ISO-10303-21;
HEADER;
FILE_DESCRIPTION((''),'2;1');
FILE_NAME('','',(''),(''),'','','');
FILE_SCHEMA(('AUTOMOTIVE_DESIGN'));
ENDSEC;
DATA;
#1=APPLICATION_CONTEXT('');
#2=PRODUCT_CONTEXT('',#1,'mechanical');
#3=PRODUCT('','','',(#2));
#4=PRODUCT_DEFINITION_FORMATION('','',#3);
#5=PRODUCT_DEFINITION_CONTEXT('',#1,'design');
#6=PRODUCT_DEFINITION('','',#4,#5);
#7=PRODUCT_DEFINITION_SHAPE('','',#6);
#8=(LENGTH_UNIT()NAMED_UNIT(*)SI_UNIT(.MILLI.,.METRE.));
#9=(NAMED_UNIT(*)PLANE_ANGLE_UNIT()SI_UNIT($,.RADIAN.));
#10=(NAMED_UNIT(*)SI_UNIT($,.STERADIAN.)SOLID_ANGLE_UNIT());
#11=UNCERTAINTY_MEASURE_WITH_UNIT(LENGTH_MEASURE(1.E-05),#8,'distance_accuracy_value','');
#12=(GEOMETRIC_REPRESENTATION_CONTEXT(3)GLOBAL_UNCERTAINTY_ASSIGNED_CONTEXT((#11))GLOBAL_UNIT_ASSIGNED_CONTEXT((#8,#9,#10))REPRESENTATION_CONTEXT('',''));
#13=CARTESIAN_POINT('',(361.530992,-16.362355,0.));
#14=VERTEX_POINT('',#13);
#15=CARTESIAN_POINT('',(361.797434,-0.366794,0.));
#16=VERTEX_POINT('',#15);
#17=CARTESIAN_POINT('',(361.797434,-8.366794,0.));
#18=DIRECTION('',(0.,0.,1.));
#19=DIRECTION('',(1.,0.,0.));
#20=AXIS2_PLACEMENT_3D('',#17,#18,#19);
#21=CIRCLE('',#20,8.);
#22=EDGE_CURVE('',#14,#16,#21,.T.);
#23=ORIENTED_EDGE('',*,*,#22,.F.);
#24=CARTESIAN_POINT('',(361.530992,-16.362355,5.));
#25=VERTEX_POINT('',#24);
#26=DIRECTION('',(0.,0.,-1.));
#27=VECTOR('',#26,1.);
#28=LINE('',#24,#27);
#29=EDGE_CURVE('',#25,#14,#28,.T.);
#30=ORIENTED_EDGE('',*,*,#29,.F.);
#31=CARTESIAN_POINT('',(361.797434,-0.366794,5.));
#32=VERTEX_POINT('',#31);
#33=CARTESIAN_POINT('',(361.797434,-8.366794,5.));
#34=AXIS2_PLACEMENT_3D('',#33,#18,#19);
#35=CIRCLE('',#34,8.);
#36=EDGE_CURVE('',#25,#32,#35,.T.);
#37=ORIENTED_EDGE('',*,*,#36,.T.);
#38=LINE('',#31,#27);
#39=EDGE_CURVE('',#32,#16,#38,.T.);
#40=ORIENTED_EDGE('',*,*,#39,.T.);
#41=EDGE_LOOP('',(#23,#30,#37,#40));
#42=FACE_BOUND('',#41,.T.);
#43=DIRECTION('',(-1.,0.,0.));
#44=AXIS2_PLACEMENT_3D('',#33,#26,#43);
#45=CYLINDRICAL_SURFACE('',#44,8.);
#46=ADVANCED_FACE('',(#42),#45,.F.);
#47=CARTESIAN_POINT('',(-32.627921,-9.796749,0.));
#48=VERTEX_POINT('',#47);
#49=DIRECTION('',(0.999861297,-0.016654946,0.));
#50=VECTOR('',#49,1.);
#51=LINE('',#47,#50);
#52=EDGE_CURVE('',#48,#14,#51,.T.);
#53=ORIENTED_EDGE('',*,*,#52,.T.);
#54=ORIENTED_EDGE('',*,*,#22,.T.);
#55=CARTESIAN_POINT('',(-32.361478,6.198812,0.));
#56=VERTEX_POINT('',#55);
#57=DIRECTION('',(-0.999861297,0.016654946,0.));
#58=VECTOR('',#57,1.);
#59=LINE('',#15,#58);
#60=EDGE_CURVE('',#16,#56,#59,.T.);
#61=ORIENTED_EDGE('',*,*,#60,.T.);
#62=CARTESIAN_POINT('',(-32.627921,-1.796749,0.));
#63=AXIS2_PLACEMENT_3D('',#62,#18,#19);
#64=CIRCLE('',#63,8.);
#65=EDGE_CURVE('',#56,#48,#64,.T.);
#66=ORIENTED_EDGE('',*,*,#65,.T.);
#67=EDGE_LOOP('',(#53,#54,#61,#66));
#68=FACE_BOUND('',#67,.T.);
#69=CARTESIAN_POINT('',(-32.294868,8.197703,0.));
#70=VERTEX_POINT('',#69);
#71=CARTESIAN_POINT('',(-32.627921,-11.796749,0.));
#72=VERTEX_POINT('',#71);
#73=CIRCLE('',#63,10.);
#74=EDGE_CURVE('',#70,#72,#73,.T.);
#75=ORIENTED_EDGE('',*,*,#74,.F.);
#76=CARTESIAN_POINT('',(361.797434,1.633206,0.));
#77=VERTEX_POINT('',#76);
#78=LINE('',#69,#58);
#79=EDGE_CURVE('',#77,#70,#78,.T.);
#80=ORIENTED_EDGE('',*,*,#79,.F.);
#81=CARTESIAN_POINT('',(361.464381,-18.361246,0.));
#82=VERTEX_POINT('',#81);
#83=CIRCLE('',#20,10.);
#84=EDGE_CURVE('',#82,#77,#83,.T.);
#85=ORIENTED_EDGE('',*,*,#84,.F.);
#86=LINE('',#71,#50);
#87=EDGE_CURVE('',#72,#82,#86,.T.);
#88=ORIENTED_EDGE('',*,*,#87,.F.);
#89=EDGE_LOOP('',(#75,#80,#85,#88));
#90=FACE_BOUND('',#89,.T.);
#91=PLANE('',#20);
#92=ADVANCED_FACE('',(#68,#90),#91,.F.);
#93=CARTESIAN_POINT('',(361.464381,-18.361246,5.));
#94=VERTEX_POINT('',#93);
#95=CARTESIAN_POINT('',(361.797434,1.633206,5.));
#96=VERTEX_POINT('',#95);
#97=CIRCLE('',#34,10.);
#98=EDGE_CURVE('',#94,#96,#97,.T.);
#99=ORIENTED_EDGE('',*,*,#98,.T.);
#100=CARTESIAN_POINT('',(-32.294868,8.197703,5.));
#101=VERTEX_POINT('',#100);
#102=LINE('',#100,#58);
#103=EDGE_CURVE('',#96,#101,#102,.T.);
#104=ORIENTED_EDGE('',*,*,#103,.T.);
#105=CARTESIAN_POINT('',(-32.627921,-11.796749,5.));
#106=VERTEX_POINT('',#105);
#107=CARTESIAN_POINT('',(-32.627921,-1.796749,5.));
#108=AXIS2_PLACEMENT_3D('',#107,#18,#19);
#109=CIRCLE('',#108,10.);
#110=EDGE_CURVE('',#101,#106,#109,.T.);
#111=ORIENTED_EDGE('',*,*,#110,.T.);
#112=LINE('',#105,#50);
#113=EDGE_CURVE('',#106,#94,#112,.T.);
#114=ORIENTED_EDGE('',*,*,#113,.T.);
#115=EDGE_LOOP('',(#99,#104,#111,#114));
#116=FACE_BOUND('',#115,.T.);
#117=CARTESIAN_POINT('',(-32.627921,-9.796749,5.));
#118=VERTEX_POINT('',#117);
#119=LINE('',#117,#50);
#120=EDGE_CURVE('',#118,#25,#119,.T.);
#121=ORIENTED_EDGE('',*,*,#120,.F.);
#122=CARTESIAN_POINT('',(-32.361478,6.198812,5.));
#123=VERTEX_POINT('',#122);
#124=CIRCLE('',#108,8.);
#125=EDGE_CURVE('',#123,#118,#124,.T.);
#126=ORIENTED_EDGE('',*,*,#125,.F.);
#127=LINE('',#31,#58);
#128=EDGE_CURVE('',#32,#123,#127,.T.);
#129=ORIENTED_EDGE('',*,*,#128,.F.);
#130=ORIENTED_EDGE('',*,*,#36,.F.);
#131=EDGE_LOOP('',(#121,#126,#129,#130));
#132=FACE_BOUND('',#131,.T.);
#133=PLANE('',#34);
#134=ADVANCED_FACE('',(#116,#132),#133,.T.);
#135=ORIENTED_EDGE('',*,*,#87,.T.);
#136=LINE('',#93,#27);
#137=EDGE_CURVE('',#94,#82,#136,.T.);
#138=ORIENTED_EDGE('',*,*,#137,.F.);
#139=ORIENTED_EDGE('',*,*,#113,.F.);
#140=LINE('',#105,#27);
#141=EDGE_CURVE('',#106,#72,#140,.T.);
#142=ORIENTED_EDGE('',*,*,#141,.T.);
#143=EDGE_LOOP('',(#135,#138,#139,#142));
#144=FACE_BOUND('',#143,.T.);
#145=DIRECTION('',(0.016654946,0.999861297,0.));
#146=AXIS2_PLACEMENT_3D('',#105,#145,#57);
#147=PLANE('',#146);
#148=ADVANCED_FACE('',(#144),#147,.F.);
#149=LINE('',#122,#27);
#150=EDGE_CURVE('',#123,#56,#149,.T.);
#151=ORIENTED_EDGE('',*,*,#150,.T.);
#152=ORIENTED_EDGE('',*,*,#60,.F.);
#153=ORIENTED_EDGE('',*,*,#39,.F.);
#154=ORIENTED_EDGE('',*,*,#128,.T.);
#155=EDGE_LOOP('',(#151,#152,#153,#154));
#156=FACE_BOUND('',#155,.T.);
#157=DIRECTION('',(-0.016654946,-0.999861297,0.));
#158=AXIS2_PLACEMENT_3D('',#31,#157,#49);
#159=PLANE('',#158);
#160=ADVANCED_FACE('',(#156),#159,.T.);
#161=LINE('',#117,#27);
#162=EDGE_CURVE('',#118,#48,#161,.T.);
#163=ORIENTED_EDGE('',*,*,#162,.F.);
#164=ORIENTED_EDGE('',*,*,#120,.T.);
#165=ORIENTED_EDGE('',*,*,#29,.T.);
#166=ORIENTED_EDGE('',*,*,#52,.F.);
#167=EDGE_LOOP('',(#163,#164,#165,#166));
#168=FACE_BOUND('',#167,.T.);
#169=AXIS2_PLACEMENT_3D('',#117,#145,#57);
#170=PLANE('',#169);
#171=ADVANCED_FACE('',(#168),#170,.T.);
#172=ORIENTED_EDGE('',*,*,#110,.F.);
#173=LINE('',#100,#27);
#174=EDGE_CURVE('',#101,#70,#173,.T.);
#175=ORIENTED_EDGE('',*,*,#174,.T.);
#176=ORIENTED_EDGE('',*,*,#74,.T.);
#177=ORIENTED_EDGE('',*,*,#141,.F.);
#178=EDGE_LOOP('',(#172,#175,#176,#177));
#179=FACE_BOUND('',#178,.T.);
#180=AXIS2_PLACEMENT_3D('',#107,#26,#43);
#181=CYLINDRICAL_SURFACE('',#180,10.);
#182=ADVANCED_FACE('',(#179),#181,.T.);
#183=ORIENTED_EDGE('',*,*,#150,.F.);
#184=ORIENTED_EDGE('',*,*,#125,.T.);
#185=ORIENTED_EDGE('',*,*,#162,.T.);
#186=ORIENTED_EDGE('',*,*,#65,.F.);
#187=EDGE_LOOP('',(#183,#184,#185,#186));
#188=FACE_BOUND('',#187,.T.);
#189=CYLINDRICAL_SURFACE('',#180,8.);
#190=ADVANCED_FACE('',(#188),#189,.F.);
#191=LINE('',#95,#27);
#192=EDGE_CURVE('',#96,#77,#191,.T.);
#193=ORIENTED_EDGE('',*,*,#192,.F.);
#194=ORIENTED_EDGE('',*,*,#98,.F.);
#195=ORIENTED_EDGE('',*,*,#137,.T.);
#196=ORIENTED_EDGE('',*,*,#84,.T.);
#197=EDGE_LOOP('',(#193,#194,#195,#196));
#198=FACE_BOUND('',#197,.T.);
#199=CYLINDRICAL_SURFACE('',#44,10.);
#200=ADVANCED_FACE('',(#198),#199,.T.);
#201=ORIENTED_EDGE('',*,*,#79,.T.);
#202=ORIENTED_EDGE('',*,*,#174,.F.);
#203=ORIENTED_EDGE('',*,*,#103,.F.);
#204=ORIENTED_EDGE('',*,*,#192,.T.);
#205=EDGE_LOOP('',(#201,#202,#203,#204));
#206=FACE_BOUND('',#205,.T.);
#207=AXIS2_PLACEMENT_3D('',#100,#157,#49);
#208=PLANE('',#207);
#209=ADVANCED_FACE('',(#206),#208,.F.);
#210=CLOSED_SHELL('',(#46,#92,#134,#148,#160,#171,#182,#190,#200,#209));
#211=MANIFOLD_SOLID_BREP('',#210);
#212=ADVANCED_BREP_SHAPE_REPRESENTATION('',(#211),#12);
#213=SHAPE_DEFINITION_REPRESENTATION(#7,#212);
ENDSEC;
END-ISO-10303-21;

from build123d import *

# Parameters (mm, degrees)
BOSS_EXTRUDE3_DEPTH = 5


with BuildPart() as part:
    # Sketch3 → Boss-Extrude3 (new body)
    with BuildSketch(Plane.XY):
        with BuildLine():
            Line((-32.294867922, 8.197702895), (361.797434094, 1.633206334))
            ThreePointArc((361.797434094, 1.633206334), (371.796047062, -8.533343127), (361.464381374, -18.361245922))
            Line((361.464381374, -18.361245922), (-32.627920642, -11.79674936))
            ThreePointArc((-32.627920642, -11.79674936), (-42.62653361, -1.630199899), (-32.294867922, 8.197702895))
        make_face()
        with BuildLine():
            Line((-32.627920642, -9.79674936), (361.530991918, -16.36235547))
            ThreePointArc((361.530991918, -16.36235547), (369.796324468, -8.500033235), (361.797434094, -0.366793666))
            Line((361.797434094, -0.366793666), (-32.361478466, 6.198812444))
            ThreePointArc((-32.361478466, 6.198812444), (-40.626811016, -1.663509791), (-32.627920642, -9.79674936))
        make_face(mode=Mode.SUBTRACT)
    extrude(amount=BOSS_EXTRUDE3_DEPTH)


solid = part.part
